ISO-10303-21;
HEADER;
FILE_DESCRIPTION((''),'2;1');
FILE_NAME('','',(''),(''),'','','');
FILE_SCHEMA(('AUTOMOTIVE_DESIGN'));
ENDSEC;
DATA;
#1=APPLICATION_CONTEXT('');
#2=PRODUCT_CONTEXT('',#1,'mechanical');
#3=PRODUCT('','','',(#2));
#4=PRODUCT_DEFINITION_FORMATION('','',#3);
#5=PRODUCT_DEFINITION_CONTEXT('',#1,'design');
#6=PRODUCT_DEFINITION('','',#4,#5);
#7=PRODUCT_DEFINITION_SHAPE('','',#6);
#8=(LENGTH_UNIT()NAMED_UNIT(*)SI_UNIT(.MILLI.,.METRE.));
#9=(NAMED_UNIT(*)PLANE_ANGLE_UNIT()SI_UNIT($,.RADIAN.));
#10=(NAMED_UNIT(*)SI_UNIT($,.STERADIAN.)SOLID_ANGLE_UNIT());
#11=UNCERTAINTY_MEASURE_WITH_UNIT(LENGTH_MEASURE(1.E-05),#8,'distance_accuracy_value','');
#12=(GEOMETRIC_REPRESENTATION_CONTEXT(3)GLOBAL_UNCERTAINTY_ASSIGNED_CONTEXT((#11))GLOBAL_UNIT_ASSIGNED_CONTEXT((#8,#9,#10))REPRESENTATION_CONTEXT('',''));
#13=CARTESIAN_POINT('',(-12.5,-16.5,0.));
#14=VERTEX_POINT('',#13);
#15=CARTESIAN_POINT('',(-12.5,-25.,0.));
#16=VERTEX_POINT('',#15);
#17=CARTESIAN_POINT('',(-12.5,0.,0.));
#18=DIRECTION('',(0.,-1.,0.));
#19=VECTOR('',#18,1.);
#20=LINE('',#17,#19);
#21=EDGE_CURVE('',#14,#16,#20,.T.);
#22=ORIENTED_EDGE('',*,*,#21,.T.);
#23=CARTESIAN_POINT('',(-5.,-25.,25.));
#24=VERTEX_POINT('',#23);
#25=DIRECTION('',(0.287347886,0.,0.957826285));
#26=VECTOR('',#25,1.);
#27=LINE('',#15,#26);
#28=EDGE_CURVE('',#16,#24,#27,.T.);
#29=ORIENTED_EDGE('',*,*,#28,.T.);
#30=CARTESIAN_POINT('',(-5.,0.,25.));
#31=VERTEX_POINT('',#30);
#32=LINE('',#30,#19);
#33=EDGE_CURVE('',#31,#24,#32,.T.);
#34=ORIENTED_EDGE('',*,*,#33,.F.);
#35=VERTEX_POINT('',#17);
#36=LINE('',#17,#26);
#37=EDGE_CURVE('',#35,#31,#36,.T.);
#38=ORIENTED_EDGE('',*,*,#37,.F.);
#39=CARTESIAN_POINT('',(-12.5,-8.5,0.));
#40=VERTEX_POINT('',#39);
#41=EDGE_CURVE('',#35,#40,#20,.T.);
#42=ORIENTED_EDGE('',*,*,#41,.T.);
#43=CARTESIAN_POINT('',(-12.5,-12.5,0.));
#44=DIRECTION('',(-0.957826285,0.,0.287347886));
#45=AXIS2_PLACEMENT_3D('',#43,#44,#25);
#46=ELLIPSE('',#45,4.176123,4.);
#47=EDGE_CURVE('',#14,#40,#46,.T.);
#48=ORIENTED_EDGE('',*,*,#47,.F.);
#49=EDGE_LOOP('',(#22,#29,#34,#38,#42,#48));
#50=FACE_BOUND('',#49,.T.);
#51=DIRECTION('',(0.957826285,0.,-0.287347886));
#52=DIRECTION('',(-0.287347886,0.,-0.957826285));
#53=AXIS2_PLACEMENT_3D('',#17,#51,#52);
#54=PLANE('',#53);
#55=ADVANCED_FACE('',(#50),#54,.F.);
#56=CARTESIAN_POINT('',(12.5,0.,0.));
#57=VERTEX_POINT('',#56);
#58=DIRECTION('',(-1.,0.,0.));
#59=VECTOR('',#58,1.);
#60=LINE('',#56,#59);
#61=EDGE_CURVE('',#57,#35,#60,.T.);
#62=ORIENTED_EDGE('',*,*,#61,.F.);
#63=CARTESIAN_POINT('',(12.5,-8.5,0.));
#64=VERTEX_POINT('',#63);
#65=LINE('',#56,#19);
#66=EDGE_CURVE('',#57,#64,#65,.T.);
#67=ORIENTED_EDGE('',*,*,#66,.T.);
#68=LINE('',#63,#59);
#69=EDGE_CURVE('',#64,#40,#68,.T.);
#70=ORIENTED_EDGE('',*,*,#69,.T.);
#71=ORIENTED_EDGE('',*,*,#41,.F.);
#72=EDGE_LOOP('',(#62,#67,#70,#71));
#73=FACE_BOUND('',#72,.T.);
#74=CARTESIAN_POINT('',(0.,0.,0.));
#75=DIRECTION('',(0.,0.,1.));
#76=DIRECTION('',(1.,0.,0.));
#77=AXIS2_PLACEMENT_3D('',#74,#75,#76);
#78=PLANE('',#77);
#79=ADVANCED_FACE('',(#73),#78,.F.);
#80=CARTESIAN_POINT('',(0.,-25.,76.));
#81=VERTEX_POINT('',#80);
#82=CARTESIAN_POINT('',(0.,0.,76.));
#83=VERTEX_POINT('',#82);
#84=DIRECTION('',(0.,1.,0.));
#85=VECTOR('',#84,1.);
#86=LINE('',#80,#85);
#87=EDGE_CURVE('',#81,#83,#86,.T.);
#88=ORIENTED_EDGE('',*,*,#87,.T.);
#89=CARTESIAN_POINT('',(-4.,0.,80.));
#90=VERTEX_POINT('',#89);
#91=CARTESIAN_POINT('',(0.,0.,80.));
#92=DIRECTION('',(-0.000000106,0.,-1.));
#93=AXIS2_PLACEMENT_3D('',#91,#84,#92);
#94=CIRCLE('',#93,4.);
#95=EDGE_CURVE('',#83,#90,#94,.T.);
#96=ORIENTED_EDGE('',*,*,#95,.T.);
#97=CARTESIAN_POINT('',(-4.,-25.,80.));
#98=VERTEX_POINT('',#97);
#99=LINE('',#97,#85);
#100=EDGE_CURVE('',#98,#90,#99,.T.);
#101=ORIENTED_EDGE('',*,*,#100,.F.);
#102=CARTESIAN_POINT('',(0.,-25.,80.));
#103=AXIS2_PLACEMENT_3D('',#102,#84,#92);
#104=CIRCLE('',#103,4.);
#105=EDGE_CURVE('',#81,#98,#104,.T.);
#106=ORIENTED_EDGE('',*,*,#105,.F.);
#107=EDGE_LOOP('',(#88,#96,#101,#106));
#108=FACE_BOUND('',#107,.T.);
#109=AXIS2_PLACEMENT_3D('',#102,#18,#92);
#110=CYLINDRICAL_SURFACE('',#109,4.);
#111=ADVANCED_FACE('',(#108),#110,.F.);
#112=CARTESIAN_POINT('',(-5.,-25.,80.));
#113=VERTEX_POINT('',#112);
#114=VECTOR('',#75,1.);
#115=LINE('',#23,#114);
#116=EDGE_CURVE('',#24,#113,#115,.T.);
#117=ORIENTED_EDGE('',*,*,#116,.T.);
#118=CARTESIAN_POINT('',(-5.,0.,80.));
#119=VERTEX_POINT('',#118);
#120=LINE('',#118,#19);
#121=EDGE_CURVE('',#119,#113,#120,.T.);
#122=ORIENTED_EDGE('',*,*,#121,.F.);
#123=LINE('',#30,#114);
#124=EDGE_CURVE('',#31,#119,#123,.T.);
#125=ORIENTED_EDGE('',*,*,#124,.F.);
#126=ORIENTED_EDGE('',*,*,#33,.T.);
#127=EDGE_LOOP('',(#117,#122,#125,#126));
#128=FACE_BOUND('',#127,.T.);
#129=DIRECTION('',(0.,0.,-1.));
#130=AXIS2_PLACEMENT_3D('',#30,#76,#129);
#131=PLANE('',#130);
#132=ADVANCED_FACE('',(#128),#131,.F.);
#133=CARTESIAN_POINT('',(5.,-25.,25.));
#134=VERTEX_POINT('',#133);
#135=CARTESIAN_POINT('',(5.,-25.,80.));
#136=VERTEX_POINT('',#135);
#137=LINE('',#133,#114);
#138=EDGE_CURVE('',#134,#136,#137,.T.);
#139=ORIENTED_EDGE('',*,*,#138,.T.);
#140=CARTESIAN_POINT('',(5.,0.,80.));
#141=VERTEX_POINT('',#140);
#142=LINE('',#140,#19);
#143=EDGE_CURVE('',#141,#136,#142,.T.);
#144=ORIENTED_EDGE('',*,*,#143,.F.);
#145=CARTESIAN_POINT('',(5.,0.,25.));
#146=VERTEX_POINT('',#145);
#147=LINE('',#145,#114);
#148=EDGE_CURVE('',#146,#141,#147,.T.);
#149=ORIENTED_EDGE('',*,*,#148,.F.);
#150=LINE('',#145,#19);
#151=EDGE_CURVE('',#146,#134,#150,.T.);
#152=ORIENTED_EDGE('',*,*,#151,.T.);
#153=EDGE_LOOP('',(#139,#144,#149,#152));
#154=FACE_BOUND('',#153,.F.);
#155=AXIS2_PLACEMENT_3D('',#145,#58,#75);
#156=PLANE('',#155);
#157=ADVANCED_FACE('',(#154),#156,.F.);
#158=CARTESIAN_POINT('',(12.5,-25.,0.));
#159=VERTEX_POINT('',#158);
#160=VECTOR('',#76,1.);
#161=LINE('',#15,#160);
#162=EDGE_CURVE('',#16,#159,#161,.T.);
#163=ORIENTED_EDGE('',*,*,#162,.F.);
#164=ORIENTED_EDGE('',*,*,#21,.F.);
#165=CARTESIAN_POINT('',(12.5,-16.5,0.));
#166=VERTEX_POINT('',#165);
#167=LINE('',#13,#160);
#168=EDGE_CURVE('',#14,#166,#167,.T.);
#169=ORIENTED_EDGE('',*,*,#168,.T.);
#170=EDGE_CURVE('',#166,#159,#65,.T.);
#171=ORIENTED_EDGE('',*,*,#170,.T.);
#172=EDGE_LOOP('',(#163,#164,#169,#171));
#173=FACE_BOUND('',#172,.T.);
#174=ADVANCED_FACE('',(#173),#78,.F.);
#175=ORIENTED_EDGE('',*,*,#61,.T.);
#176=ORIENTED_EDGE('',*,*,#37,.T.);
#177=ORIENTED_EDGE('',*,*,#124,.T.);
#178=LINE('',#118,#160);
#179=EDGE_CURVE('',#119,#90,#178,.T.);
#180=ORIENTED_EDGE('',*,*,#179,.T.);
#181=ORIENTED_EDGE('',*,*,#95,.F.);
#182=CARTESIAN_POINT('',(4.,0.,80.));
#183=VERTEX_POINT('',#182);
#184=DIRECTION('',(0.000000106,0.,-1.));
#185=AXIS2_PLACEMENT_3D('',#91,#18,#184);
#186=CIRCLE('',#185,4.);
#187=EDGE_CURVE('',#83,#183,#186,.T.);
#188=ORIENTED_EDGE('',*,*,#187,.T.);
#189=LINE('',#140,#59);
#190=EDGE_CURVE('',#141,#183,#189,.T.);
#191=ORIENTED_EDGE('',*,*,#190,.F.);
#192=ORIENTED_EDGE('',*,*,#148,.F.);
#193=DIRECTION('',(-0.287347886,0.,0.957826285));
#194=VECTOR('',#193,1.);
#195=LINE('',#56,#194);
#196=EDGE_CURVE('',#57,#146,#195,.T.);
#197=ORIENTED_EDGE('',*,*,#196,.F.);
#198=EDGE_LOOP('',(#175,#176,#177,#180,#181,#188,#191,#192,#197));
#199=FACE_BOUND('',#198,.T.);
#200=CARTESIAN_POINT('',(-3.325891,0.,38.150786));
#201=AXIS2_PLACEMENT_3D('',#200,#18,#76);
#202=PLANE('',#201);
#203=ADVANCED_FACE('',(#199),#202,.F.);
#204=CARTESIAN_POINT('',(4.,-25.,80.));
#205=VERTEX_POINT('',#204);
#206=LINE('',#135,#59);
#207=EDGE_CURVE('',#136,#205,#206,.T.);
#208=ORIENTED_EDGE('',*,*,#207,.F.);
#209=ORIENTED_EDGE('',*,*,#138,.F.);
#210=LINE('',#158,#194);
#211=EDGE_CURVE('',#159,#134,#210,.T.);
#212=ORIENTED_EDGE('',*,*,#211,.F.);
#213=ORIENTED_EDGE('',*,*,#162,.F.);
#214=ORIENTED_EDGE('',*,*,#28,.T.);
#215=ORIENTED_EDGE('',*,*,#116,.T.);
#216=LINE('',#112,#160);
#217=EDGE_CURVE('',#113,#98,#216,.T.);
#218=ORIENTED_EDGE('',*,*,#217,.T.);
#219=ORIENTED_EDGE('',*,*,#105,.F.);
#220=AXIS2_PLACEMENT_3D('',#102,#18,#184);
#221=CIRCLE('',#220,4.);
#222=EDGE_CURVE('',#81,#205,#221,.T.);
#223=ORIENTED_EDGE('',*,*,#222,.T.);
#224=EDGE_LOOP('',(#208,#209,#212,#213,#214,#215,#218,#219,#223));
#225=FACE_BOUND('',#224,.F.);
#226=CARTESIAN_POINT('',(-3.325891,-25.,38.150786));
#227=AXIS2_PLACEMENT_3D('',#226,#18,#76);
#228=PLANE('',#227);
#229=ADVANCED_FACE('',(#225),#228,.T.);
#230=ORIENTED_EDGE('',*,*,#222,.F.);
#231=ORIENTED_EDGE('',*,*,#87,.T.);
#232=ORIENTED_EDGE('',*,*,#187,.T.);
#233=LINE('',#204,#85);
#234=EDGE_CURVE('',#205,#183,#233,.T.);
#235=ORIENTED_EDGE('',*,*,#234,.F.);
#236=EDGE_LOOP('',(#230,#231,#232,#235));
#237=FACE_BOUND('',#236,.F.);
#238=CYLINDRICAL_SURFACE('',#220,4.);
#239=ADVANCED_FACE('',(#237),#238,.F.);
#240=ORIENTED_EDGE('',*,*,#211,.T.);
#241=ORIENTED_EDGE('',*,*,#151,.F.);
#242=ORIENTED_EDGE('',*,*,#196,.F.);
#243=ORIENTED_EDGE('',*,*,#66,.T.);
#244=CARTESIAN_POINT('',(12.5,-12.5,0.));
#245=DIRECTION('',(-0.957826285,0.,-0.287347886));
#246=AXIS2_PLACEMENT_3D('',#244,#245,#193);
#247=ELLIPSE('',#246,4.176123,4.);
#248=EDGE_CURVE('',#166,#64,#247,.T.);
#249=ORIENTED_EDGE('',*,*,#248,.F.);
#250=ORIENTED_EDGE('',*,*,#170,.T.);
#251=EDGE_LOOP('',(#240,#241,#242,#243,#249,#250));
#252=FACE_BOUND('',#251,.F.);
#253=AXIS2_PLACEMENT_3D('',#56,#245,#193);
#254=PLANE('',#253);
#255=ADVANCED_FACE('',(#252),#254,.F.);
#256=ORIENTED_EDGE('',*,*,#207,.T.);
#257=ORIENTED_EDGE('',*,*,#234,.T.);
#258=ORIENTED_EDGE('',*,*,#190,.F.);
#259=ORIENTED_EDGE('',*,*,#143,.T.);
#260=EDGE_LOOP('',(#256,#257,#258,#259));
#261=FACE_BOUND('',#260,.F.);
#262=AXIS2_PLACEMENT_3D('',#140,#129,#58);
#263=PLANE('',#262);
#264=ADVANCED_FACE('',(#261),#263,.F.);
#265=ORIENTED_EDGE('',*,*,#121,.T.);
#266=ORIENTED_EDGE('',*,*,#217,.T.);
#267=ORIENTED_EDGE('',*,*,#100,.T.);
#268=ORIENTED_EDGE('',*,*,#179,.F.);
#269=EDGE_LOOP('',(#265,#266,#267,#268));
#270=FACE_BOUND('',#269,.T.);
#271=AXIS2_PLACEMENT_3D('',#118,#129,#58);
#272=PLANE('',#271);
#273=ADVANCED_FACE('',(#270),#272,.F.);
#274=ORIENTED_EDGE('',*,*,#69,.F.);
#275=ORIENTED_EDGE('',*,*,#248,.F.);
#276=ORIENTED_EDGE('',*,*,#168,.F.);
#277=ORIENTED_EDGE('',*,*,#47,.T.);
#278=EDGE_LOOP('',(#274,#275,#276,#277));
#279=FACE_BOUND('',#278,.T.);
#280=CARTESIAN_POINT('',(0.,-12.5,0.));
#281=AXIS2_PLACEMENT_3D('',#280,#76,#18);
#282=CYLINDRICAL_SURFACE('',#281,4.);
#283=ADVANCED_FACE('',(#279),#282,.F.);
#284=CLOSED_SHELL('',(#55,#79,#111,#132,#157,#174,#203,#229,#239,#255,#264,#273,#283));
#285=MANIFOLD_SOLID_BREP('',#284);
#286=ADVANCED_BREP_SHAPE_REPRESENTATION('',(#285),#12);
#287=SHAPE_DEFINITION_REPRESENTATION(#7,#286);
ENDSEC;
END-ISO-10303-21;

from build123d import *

# Parameters (mm, degrees)
F1_DEPTH = 25
F4_DEPTH = 30
F5_DEPTH = 15


with BuildPart() as f1:
    # F0 (on Front) → F1 (new body)
    with BuildSketch(Plane.XZ):
        Polygon((0, 80), (0, 0), (12.5, 0), (5, 25), (5, 80), align=None)
    extrude(amount=F1_DEPTH)

    # F3 (on face) → F4 (cut)
    with BuildSketch(Plane.XZ.offset(25)):
        with BuildLine():
            ThreePointArc((0, 76), (2.828427, 77.171573), (4, 80))
            Line((4, 80), (0, 80))
            Line((0, 80), (0, 76))
        make_face()
    extrude(amount=-F4_DEPTH, mode=Mode.SUBTRACT)

    # F2 (on face) → F5 (cut)
    with BuildSketch(Plane(origin=(0, 0, 0), x_dir=(0, -1, 0), z_dir=(-1, 0, 0))):
        with BuildLine():
            Line((8.5, 0), (16.5, 0))
            ThreePointArc((16.5, 0), (12.5, 4), (8.5, 0))
        make_face()
    extrude(amount=-F5_DEPTH, mode=Mode.SUBTRACT)

    # F6: F1 across plane


with BuildPart() as f1_1:
    add(f1.part)
    add(f1.part.mirror(Plane.YZ))


solid = f1_1.part
